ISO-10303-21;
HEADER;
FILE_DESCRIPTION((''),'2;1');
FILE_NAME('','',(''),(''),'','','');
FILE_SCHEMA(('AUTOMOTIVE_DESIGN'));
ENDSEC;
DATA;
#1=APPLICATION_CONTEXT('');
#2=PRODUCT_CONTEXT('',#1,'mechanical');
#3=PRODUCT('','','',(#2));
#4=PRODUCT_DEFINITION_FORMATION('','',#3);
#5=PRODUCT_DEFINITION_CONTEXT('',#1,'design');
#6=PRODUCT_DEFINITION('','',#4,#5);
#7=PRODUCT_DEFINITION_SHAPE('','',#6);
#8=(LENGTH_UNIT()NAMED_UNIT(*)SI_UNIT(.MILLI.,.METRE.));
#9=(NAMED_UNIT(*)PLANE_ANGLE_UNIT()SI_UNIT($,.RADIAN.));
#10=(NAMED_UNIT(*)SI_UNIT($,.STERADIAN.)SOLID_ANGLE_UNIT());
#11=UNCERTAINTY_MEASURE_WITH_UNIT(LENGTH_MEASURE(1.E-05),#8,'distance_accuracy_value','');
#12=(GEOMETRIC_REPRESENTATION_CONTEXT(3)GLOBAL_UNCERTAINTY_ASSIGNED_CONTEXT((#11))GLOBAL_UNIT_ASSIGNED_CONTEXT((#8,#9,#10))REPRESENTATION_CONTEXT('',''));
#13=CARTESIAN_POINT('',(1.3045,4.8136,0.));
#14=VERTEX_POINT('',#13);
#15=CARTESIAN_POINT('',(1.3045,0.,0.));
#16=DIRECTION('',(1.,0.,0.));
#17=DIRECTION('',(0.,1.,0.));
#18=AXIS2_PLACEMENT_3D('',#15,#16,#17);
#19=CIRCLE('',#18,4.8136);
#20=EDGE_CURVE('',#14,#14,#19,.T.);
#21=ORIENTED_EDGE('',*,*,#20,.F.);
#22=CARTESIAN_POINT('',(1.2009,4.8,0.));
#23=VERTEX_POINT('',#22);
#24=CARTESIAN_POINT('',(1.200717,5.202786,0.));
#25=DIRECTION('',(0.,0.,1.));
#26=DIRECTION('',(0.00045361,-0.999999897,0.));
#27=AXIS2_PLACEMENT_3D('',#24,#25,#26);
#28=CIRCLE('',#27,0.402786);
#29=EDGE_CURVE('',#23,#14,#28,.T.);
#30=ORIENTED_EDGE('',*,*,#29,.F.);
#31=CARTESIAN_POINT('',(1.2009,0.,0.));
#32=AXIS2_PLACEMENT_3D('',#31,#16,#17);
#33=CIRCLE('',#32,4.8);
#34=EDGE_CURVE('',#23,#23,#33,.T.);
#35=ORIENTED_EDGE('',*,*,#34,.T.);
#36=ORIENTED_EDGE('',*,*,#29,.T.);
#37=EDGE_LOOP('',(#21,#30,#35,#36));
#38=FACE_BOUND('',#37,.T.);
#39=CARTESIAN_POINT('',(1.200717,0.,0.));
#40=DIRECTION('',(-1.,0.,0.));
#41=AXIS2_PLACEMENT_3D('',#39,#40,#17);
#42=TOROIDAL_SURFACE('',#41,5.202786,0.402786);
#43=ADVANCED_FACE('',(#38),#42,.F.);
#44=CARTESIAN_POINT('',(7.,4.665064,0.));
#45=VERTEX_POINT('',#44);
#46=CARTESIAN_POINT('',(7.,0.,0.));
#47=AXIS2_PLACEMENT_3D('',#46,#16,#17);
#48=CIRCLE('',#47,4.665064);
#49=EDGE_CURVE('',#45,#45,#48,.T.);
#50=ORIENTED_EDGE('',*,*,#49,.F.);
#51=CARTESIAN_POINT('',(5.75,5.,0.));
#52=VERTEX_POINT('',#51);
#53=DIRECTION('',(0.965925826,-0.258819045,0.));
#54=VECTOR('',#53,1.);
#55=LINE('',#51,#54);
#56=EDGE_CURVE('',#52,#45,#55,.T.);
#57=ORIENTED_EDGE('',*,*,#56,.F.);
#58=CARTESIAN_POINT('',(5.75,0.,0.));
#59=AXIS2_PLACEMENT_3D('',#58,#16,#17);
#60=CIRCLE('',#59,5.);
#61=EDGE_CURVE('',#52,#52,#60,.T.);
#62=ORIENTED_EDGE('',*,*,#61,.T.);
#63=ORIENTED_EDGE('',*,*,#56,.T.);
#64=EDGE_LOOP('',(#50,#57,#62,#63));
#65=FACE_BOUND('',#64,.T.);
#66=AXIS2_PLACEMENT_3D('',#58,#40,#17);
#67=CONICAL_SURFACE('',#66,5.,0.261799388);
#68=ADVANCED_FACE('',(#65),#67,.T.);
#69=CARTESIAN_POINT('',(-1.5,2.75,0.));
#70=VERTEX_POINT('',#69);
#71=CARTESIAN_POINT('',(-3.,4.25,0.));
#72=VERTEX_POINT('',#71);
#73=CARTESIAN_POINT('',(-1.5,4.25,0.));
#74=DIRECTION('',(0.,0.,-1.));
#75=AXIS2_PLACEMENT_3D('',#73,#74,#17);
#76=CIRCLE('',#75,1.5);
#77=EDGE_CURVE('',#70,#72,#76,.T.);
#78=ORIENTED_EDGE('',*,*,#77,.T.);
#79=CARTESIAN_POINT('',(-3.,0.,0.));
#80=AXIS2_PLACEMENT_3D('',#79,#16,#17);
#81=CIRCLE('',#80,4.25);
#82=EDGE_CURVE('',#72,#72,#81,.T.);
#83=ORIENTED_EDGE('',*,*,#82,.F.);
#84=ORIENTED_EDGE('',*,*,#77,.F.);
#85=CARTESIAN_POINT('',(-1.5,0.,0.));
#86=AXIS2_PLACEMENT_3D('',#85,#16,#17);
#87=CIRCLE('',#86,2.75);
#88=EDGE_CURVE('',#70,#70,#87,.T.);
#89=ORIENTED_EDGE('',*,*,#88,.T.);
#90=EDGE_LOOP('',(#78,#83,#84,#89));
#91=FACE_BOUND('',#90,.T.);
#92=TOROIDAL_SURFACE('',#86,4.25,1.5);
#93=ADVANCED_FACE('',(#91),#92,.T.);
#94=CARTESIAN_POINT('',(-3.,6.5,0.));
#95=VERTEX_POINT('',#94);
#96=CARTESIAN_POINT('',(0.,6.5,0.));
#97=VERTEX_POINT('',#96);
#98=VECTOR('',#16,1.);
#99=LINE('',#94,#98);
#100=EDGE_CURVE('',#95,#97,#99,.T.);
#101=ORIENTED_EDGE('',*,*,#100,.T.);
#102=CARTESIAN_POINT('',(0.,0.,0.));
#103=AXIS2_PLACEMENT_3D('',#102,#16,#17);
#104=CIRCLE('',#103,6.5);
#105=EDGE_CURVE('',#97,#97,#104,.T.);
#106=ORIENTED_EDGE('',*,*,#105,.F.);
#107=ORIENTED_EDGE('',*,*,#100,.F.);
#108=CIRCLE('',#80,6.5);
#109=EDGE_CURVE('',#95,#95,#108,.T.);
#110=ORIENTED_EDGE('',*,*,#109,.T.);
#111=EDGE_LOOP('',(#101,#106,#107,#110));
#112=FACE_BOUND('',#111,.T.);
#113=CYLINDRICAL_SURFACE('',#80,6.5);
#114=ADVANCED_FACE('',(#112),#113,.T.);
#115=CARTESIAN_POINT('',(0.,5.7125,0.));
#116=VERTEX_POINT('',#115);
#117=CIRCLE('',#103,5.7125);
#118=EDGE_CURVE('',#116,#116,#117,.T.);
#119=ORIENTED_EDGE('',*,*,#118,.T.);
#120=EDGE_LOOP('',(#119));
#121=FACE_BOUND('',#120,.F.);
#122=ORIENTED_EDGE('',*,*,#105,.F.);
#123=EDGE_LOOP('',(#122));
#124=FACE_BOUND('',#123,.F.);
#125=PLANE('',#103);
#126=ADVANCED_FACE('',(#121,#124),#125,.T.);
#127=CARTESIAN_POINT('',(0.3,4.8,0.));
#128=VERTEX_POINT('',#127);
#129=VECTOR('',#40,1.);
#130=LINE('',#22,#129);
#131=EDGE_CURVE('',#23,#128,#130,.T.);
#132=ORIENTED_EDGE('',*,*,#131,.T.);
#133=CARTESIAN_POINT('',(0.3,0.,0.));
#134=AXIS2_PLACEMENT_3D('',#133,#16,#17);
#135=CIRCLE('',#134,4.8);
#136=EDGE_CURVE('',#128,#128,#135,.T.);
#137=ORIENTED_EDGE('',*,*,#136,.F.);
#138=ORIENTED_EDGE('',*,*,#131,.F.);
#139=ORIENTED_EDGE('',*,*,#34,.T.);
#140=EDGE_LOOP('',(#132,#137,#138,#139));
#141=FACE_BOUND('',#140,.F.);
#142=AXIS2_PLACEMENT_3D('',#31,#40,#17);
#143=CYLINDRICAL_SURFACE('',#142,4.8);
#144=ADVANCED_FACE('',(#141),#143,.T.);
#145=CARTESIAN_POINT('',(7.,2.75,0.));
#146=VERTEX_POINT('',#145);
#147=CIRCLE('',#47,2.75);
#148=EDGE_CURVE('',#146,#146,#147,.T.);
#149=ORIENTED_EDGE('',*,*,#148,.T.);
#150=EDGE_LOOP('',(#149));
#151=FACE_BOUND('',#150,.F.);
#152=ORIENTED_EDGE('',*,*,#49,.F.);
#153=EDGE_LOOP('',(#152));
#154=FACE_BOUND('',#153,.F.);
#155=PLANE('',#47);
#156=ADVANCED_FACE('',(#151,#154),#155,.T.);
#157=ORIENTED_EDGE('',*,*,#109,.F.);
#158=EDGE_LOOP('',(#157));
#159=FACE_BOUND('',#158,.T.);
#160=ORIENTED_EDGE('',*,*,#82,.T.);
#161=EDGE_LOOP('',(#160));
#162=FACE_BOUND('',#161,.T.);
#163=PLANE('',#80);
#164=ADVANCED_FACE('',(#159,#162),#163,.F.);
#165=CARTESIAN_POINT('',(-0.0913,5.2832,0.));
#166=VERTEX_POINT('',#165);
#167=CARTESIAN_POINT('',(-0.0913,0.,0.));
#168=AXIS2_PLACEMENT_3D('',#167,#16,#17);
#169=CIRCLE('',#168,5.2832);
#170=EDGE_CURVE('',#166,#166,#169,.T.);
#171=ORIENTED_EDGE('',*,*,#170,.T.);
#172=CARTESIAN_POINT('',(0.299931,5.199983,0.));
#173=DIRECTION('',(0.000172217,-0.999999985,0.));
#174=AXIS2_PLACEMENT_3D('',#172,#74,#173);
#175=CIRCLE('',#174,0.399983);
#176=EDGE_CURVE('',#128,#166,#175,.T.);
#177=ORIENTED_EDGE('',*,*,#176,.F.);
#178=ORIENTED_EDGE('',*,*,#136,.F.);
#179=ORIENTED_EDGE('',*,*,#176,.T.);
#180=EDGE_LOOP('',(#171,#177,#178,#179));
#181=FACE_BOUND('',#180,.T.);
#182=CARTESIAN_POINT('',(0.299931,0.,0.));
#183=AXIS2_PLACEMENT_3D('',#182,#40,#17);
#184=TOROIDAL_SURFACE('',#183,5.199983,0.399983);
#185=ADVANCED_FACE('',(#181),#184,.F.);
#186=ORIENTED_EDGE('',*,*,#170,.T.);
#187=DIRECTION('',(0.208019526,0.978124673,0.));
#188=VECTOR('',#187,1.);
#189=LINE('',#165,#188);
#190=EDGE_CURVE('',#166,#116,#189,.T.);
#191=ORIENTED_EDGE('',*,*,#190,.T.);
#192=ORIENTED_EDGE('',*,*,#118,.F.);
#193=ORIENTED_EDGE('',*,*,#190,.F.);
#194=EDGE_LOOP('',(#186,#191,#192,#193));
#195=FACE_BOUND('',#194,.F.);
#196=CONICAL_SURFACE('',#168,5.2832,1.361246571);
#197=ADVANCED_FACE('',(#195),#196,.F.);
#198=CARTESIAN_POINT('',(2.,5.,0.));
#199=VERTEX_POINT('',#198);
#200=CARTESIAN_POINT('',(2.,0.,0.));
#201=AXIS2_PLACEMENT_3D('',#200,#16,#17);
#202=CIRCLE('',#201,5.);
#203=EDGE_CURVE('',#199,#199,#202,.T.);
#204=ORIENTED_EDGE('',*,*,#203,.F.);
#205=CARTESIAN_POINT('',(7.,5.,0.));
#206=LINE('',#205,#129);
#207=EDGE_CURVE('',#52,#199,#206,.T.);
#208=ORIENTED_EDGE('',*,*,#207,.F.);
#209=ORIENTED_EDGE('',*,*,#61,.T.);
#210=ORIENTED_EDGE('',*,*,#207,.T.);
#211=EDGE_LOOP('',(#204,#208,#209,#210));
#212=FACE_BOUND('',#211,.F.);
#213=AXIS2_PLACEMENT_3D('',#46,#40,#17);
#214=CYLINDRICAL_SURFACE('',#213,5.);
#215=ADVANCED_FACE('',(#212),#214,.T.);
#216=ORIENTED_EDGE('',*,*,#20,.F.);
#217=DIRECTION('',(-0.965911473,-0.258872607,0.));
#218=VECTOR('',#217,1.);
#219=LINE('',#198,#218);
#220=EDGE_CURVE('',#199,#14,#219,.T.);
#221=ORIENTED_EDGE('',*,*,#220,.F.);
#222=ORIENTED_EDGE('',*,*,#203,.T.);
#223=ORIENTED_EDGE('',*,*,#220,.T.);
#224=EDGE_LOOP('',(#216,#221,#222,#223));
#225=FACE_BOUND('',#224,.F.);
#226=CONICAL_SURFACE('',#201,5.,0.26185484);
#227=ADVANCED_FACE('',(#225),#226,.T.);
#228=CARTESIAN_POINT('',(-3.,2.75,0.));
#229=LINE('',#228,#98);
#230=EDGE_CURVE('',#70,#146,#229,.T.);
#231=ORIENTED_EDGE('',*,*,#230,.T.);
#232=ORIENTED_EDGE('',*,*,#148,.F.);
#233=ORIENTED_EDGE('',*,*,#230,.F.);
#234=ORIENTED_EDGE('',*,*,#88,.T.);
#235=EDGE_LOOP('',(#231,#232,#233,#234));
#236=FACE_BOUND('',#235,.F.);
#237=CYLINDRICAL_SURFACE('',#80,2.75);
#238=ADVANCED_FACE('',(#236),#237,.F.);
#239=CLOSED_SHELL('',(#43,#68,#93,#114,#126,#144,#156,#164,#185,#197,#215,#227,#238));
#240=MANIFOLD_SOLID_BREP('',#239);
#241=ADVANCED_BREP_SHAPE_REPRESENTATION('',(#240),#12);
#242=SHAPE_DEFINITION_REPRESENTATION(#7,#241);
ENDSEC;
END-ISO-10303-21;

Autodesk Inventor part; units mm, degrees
ref_plane "YZ Plane" through (0, 0, 0) normal (1, 0, 0) x (0, 1, 0)
ref_plane "XZ Plane" through (0, 0, 0) normal (0, 1, 0) x (-1, 0, 0)
ref_plane "XY Plane" through (0, 0, 0) normal (0, 0, 1) x (1, 0, 0)
sketch "Skizze1" plane through (0, 0, 0) normal (0, 0, 1) x (1, 0, 0)
  line L0 (-2.5, 0) -> (5.5, 0)
  line L1 (7, 2.75) -> (7, 5)
  line L2 (7, 5) -> (2, 5)
  line L3 (-3, 2.75) -> (-3, 6.5)
  line L4 (-3, 6.5) -> (0, 6.5)
  line L5 (2, 5) -> (1.3045, 4.8136)
  line L6 (1.2009, 4.8) -> (0.3, 4.8)
  line L7 (-0.0913, 5.2832) -> (0, 5.7125)
  line L8 (0, 5.7125) -> (0, 6.5)
  arc A0 (-0.0913, 5.2832) -> (0.3, 4.8) centre (0.3, 5.2) ccw
  arc A1 (1.2009, 4.8) -> (1.3045, 4.8136) centre (1.2009, 5.2) ccw
  line L9 (-28.4, 0) -> (128.4, 0) projected
  line L10 (0, -12) -> (0, 72) projected
  line L11 (-3, 2.75) -> (7, 2.75)
  dimension "d0" = 13
  dimension "d1" = 10
  dimension "d2" = 10
  dimension "d3" = 12
  dimension "d4" = 0.4
  dimension "d5" = 0.1
  dimension "d6" = 2
  dimension "d7" = 15
  dimension "d8" = 0.2
  dimension "d9" = 0.4
  dimension "d10" = 3
  dimension "d11" = 5.5
revolve "Körper" add sketch "Skizze1" angle 360 about axis through (-2.5, 0, 0) along (1, 0, 0) contours L11 L10 A0 L6 A1 L5 L2 L1 | L11 L3 L4 L8 L7 A0 L10
chamfer "Fase1" distance 1.25 angle 15 1 edges at (7, -5, 0) measured on face at (5.3333, 4.9353, -0.8021)
fillet "Rundung1" radius 1.5 1 edges at (-3, -2.75, 0)
equation "\"d12\" = PHH"
equation "\"d13\" = ANG"
equation "\"d29\" = PHH"
equation "\"d14\" = RR"
equation "\"d0\" = KOD"
equation "\"d1\" = SD2"
equation "\"d2\" = NLG"
equation "\"d4\" = FSRR"
equation "\"d5\" = FST2"
equation "\"d6\" = FSB"
equation "\"d8\" = FST1"
equation "\"d9\" = FSRR"
equation "\"d10\" = KOH"
equation "\"d11\" = NND"
equation "\"NLG\" = 10"
equation "\"NND\" = 5.5"
equation "\"KOD\" = 13"
equation "\"KOH\" = 3"
equation "\"SD2\" = 10"
equation "\"FST1\" = 0.2"
equation "\"FST2\" = 0.1"
equation "\"FSB\" = 2"
equation "\"FSRR\" = 0.4"
equation "\"PHH\" = 1.25"
equation "\"ANG\" = 15deg"
equation "\"RR\" = 1.5"
equation "\"NNDMIN\" = 5.1"
equation "\"FSH\" = 1.1"
equation "\"NNDMAX\" = 6"
equation "\"SEWI\" = 30deg"
properties part number "DIN 172 - A 5,5 x 10" material "Stahl, weich"
